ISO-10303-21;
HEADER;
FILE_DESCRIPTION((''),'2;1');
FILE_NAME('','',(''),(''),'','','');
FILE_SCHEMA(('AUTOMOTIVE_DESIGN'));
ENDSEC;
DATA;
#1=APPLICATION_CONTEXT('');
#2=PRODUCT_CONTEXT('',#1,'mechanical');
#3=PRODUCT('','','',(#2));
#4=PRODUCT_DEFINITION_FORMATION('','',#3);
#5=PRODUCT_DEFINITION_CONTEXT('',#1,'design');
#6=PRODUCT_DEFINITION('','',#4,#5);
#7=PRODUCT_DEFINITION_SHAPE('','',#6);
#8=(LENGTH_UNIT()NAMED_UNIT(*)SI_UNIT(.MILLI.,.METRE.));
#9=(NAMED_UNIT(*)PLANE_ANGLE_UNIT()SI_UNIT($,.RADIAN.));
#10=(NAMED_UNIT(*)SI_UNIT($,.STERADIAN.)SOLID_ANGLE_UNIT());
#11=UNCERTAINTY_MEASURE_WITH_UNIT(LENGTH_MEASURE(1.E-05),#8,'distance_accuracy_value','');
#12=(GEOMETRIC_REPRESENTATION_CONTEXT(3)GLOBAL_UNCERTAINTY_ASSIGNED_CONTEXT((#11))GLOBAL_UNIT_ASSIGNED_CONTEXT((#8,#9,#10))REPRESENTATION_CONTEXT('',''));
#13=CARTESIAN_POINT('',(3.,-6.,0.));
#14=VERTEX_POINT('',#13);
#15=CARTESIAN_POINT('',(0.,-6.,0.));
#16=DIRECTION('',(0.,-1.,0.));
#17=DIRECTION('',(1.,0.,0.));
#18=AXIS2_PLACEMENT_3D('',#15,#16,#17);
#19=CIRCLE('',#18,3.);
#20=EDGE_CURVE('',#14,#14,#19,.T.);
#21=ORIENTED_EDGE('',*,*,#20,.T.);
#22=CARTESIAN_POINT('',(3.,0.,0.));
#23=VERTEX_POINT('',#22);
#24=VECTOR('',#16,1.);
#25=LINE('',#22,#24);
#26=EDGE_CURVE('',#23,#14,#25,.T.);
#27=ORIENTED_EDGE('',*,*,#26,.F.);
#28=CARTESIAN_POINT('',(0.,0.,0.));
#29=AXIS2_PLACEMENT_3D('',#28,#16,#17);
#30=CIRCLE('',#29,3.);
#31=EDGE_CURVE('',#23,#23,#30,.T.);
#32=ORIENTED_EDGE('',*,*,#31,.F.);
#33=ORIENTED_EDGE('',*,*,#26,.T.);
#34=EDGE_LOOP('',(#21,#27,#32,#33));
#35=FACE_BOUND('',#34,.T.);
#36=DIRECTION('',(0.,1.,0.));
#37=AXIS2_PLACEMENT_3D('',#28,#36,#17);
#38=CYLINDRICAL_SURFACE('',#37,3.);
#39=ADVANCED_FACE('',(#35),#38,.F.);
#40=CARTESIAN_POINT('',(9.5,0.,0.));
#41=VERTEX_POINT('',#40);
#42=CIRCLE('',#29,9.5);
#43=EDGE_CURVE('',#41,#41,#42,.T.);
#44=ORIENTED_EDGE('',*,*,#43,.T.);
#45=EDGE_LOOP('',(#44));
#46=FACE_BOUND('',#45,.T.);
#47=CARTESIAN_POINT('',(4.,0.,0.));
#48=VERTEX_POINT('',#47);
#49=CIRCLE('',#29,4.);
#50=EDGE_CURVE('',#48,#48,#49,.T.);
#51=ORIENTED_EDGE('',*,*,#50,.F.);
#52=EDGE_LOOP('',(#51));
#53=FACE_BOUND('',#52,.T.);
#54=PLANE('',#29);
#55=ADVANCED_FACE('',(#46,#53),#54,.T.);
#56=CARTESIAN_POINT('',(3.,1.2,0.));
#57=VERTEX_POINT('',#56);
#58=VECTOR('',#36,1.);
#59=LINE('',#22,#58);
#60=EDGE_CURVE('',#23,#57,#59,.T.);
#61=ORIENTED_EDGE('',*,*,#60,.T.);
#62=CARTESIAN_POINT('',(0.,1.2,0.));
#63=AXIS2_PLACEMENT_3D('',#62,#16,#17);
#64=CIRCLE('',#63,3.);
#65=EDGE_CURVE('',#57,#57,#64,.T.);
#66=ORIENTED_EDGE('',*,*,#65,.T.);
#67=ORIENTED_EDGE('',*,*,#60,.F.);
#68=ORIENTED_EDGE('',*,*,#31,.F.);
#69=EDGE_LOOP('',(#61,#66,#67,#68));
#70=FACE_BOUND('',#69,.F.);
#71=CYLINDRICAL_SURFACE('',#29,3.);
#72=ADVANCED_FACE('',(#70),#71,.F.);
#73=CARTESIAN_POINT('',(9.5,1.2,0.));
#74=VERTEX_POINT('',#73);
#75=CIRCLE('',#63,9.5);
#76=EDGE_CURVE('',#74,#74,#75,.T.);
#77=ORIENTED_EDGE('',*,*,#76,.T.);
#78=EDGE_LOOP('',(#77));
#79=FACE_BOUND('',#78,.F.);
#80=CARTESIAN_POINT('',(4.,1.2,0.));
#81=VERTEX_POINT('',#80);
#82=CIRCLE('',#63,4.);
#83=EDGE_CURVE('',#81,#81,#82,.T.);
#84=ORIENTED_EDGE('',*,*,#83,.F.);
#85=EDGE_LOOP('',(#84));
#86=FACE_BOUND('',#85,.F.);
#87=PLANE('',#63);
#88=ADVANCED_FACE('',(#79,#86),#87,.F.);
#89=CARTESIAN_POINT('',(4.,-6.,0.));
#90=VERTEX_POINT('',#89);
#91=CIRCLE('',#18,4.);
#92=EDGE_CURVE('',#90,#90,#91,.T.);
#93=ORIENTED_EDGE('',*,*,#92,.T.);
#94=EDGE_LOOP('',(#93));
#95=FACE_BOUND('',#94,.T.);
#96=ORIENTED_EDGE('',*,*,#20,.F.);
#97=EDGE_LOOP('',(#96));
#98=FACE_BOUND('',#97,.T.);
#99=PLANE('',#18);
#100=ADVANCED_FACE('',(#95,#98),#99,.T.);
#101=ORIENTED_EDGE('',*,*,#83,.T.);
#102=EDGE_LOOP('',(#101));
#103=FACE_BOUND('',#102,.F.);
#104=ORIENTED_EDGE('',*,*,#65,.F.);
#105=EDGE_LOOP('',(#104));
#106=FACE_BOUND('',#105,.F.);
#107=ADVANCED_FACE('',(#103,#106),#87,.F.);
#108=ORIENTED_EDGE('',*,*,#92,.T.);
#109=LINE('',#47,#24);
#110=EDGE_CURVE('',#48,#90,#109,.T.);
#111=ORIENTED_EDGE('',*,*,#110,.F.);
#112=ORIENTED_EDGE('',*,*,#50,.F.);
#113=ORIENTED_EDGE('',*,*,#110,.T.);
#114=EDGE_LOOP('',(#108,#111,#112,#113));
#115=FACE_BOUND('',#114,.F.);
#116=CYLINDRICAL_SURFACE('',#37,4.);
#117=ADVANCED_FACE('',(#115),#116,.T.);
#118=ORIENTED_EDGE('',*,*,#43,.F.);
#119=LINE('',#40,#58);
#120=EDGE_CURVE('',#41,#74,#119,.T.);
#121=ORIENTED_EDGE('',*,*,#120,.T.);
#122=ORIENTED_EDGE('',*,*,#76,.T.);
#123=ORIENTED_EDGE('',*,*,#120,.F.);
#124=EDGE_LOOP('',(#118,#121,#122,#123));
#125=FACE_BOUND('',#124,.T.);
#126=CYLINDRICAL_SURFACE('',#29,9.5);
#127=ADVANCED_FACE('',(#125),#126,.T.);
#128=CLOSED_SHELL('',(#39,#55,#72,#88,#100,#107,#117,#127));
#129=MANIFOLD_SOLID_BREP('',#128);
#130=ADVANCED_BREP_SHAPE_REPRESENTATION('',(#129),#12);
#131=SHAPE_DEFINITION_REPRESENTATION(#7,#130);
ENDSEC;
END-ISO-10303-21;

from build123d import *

# Parameters (mm, degrees)
F0_R          = 9.5
F0_R_2        = 4
F1_DEPTH      = 1.2
F0_R_3        = 3
F2_DEPTH      = 6
F2_DEPTH_BACK = 1.2


with BuildPart() as f1:
    # F0 (on Front) → F1 (new body)
    with BuildSketch(Plane.XZ):
        Circle(F0_R)
        Circle(F0_R_2, mode=Mode.SUBTRACT)
    extrude(amount=-F1_DEPTH)

    # F0 (on Front) → F2 (join, two sides)
    with BuildSketch(Plane.XZ) as f2_sk:
        Circle(F0_R_2)
        Circle(F0_R_3, mode=Mode.SUBTRACT)
    extrude(amount=F2_DEPTH)
    extrude(f2_sk.sketch, amount=-F2_DEPTH_BACK)


solid = f1.part
